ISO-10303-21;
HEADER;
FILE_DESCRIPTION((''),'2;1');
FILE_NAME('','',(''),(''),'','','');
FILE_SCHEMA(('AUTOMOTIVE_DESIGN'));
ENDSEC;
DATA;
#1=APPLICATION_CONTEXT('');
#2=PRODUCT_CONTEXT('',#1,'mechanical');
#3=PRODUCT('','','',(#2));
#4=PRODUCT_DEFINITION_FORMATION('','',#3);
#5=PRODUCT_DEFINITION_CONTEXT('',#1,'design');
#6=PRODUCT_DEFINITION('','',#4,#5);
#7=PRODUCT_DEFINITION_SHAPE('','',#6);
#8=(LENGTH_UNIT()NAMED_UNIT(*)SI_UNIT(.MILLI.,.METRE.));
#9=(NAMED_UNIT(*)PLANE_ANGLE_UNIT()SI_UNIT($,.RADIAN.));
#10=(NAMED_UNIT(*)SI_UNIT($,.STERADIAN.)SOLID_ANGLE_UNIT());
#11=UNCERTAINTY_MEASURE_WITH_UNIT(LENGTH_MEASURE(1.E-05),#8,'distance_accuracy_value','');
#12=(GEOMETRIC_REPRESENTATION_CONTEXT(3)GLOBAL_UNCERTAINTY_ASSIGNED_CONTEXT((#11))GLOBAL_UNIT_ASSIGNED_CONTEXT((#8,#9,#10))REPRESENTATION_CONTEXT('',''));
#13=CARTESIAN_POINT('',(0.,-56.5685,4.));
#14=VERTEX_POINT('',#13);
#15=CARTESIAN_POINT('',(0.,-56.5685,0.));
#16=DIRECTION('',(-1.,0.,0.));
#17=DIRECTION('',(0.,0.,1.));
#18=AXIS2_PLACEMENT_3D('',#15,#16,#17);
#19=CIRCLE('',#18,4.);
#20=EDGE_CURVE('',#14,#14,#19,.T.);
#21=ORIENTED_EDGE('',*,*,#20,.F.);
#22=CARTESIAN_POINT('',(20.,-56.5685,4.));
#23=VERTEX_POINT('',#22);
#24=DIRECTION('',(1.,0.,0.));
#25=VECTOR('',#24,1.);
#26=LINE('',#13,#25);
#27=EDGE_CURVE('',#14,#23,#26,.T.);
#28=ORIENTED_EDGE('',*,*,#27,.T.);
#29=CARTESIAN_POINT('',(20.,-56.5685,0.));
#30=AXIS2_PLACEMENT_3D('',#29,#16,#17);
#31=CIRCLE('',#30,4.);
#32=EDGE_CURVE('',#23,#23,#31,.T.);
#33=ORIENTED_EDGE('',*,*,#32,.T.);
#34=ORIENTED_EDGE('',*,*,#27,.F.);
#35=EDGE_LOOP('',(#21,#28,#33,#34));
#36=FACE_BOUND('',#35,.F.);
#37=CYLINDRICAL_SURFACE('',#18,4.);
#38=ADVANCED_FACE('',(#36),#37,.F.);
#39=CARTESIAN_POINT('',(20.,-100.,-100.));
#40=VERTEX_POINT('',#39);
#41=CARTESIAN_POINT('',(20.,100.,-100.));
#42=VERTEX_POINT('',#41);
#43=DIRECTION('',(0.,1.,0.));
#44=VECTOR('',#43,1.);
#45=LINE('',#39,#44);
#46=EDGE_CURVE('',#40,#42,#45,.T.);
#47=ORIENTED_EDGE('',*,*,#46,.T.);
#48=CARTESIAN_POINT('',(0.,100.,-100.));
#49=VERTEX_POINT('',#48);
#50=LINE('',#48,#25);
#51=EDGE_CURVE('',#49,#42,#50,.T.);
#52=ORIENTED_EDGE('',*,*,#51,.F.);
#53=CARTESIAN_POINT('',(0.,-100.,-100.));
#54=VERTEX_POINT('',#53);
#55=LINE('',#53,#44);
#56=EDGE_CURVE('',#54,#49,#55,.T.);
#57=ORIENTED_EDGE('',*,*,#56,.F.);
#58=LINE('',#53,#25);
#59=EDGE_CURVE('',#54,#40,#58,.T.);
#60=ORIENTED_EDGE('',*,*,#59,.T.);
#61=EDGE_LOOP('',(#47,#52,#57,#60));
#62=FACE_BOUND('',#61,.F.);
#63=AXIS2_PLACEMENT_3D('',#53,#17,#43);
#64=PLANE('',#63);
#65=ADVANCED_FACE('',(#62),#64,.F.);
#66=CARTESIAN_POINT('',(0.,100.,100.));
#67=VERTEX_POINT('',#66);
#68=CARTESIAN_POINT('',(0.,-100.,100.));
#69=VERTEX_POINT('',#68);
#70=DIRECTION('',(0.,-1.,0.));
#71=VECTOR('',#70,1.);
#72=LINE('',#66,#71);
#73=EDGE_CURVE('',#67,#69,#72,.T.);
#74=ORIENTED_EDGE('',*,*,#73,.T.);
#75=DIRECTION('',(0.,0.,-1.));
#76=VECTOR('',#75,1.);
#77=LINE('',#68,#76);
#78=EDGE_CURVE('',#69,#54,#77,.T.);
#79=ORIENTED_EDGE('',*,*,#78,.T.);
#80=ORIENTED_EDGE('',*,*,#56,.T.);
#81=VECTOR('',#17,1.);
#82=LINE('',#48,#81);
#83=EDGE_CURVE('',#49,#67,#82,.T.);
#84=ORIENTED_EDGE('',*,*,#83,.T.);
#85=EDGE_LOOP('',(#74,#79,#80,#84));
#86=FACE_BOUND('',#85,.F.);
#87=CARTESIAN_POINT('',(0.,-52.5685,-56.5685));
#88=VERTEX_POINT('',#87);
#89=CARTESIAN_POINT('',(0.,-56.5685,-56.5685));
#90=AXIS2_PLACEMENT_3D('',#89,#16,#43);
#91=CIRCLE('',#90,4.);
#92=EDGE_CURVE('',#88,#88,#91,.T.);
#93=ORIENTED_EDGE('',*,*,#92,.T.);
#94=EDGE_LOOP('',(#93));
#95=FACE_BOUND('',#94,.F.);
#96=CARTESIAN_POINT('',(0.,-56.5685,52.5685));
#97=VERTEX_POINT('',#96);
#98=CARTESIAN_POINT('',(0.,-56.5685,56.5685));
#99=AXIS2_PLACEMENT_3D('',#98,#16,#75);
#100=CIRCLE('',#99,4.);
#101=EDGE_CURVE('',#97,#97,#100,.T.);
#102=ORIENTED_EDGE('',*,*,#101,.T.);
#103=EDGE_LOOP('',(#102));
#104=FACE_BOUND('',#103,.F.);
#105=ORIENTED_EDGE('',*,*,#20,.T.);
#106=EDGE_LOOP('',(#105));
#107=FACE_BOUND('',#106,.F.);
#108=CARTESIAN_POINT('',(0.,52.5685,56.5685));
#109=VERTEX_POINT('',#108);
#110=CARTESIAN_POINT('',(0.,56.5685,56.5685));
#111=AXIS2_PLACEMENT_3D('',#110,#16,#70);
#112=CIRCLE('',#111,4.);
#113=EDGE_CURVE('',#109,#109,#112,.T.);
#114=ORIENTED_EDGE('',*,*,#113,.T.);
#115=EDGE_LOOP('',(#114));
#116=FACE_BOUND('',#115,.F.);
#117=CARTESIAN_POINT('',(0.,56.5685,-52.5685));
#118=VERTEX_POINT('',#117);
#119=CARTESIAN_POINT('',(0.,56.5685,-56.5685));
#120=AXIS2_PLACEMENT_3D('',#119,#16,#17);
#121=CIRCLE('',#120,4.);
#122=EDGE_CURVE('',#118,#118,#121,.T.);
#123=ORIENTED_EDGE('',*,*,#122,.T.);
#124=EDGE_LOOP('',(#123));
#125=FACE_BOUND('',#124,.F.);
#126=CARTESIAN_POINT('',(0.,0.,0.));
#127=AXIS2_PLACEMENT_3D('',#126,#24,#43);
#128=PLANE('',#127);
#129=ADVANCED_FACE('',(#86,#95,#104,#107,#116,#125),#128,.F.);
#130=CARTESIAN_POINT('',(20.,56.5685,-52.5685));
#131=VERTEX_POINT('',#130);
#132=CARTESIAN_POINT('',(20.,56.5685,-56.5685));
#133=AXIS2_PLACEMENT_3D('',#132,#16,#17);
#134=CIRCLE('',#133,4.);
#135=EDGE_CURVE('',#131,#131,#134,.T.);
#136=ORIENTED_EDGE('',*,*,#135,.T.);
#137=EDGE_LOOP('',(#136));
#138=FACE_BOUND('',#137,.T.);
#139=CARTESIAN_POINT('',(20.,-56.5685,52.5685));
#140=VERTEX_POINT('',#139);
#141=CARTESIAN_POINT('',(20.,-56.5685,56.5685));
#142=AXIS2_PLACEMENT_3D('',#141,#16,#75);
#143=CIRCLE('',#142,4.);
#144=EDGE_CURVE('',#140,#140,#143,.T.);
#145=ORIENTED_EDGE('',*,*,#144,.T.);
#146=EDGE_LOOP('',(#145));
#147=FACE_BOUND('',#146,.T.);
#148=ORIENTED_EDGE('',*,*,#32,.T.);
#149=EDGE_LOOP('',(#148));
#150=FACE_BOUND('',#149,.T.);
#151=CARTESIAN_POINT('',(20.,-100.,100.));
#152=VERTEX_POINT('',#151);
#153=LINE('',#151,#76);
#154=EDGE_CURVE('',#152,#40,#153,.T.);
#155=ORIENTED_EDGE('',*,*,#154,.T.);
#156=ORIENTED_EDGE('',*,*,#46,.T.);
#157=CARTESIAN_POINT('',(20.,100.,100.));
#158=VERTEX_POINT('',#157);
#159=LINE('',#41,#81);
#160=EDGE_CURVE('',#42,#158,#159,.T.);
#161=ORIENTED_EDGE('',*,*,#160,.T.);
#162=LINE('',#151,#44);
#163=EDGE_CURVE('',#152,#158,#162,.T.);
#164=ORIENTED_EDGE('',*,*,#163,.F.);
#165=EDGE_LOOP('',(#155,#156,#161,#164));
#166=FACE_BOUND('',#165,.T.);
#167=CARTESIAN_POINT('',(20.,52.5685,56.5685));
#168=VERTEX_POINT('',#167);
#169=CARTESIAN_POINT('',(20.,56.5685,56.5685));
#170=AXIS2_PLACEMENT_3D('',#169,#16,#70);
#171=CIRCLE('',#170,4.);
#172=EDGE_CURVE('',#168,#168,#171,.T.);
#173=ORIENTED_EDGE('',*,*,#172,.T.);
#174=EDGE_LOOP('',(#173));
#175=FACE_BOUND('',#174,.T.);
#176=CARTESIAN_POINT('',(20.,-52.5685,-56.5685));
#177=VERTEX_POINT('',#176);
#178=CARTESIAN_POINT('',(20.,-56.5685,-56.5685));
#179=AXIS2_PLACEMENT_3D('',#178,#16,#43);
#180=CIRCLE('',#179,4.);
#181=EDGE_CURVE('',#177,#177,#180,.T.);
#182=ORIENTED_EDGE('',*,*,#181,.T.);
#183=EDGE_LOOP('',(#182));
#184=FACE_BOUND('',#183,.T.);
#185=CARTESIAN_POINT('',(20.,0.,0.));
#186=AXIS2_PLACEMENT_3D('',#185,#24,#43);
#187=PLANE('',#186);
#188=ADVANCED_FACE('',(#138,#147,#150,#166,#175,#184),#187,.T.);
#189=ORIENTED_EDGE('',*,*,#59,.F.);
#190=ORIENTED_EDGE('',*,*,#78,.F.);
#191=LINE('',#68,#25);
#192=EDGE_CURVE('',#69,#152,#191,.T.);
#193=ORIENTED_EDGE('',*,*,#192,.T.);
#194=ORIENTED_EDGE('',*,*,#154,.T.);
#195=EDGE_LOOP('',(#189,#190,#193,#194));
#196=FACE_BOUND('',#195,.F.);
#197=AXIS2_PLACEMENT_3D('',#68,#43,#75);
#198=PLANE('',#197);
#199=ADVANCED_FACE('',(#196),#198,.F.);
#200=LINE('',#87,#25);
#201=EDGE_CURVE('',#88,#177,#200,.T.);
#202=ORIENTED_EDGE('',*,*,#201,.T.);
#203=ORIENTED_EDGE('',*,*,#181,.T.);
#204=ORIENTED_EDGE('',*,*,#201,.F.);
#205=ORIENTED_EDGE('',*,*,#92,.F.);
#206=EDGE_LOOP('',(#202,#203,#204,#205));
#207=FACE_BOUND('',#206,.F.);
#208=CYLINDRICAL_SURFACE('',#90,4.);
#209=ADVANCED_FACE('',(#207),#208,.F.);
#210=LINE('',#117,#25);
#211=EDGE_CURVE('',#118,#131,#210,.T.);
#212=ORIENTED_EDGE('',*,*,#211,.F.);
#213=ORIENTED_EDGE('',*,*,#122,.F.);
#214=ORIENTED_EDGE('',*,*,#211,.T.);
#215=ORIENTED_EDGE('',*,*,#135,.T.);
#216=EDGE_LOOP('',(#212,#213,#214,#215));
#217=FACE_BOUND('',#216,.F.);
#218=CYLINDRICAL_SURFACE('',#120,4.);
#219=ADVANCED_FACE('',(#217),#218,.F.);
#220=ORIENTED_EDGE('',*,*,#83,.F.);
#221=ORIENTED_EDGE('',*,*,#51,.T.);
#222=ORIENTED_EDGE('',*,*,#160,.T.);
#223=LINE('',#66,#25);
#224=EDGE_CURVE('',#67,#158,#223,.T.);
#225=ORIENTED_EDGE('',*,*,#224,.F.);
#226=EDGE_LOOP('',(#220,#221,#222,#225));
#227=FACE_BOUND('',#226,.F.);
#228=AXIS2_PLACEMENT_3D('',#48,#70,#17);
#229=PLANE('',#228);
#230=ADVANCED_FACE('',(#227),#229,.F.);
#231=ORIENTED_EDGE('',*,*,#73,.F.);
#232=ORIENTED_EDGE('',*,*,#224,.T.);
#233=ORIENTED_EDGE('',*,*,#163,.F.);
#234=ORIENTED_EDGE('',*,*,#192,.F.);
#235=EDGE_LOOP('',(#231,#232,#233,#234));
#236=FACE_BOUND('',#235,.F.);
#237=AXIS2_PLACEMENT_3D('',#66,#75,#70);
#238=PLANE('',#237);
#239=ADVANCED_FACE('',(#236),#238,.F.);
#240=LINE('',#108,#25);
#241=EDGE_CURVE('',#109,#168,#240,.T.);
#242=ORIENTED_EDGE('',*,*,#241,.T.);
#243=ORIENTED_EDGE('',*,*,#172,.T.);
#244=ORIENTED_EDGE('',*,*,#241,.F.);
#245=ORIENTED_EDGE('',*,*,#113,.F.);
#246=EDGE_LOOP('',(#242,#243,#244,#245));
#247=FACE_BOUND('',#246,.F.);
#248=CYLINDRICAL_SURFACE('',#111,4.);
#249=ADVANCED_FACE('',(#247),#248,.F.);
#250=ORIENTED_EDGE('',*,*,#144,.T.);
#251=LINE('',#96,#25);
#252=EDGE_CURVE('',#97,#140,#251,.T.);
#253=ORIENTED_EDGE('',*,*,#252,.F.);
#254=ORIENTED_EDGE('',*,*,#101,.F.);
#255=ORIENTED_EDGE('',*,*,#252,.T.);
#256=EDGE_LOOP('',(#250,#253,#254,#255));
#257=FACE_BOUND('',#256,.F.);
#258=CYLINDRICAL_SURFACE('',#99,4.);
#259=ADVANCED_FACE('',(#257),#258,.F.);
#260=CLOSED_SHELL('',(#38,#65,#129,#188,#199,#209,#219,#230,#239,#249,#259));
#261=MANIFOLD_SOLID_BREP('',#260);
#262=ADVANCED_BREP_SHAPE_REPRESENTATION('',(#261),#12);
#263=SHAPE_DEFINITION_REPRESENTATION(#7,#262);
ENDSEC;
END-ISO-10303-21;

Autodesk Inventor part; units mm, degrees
ref_plane "YZ Plane" through (0, 0, 0) normal (1, 0, 0) x (0, 1, 0)
ref_plane "XZ Plane" through (0, 0, 0) normal (0, 1, 0) x (-1, 0, 0)
ref_plane "XY Plane" through (0, 0, 0) normal (0, 0, 1) x (1, 0, 0)
sketch "Sketch1" plane through (0, 0, 0) normal (1, 0, 0) x (0, 1, 0)
  line L0 (0, 100) -> (-100, 100)
  line L1 (-100, 100) -> (-100, -100)
  line L2 (-100, -100) -> (100, -100)
  line L3 (100, -100) -> (100, 100)
  line L4 (100, 100) -> (0, 100)
  point P0 (0, 0)
  dimension "d1" = 100
  dimension "d2" = 200
  dimension "d3" = 200
  dimension "d4" = 200
extrude "Extrusion1" add sketch "Sketch1" along normal blind 20
sketch "Sketch2" plane through (0, 0, 0) normal (-1, 0, 0) x (0, 0, 1)
  circle A0 centre (-56.5685, 56.5685) radius 4
  point P0 (0, 0)
  dimension "d11" = 8
extrude "Extrusion2" cut sketch "Sketch2" against normal blind 20
pattern_circular "Circular Pattern1" count 4 over 360 about axis through (-10, 0, 0) along (1, 0, 0) of "Extrusion2"
sketch "Sketch3" plane through (0, 0, 0) normal (-1, 0, 0) x (0, 0, 1)
  circle A0 centre (-56.5685, -56.5685) radius 4 projected
  circle A1 centre (56.5685, -56.5685) radius 4 projected
  circle A2 centre (0, -56.5685) radius 4
  point P0 (0, 0)
  dimension "d17" = 8
extrude "Extrusion3" cut sketch "Sketch3" against normal blind 20 contours A2
properties part number "TMP_fix_plate"
